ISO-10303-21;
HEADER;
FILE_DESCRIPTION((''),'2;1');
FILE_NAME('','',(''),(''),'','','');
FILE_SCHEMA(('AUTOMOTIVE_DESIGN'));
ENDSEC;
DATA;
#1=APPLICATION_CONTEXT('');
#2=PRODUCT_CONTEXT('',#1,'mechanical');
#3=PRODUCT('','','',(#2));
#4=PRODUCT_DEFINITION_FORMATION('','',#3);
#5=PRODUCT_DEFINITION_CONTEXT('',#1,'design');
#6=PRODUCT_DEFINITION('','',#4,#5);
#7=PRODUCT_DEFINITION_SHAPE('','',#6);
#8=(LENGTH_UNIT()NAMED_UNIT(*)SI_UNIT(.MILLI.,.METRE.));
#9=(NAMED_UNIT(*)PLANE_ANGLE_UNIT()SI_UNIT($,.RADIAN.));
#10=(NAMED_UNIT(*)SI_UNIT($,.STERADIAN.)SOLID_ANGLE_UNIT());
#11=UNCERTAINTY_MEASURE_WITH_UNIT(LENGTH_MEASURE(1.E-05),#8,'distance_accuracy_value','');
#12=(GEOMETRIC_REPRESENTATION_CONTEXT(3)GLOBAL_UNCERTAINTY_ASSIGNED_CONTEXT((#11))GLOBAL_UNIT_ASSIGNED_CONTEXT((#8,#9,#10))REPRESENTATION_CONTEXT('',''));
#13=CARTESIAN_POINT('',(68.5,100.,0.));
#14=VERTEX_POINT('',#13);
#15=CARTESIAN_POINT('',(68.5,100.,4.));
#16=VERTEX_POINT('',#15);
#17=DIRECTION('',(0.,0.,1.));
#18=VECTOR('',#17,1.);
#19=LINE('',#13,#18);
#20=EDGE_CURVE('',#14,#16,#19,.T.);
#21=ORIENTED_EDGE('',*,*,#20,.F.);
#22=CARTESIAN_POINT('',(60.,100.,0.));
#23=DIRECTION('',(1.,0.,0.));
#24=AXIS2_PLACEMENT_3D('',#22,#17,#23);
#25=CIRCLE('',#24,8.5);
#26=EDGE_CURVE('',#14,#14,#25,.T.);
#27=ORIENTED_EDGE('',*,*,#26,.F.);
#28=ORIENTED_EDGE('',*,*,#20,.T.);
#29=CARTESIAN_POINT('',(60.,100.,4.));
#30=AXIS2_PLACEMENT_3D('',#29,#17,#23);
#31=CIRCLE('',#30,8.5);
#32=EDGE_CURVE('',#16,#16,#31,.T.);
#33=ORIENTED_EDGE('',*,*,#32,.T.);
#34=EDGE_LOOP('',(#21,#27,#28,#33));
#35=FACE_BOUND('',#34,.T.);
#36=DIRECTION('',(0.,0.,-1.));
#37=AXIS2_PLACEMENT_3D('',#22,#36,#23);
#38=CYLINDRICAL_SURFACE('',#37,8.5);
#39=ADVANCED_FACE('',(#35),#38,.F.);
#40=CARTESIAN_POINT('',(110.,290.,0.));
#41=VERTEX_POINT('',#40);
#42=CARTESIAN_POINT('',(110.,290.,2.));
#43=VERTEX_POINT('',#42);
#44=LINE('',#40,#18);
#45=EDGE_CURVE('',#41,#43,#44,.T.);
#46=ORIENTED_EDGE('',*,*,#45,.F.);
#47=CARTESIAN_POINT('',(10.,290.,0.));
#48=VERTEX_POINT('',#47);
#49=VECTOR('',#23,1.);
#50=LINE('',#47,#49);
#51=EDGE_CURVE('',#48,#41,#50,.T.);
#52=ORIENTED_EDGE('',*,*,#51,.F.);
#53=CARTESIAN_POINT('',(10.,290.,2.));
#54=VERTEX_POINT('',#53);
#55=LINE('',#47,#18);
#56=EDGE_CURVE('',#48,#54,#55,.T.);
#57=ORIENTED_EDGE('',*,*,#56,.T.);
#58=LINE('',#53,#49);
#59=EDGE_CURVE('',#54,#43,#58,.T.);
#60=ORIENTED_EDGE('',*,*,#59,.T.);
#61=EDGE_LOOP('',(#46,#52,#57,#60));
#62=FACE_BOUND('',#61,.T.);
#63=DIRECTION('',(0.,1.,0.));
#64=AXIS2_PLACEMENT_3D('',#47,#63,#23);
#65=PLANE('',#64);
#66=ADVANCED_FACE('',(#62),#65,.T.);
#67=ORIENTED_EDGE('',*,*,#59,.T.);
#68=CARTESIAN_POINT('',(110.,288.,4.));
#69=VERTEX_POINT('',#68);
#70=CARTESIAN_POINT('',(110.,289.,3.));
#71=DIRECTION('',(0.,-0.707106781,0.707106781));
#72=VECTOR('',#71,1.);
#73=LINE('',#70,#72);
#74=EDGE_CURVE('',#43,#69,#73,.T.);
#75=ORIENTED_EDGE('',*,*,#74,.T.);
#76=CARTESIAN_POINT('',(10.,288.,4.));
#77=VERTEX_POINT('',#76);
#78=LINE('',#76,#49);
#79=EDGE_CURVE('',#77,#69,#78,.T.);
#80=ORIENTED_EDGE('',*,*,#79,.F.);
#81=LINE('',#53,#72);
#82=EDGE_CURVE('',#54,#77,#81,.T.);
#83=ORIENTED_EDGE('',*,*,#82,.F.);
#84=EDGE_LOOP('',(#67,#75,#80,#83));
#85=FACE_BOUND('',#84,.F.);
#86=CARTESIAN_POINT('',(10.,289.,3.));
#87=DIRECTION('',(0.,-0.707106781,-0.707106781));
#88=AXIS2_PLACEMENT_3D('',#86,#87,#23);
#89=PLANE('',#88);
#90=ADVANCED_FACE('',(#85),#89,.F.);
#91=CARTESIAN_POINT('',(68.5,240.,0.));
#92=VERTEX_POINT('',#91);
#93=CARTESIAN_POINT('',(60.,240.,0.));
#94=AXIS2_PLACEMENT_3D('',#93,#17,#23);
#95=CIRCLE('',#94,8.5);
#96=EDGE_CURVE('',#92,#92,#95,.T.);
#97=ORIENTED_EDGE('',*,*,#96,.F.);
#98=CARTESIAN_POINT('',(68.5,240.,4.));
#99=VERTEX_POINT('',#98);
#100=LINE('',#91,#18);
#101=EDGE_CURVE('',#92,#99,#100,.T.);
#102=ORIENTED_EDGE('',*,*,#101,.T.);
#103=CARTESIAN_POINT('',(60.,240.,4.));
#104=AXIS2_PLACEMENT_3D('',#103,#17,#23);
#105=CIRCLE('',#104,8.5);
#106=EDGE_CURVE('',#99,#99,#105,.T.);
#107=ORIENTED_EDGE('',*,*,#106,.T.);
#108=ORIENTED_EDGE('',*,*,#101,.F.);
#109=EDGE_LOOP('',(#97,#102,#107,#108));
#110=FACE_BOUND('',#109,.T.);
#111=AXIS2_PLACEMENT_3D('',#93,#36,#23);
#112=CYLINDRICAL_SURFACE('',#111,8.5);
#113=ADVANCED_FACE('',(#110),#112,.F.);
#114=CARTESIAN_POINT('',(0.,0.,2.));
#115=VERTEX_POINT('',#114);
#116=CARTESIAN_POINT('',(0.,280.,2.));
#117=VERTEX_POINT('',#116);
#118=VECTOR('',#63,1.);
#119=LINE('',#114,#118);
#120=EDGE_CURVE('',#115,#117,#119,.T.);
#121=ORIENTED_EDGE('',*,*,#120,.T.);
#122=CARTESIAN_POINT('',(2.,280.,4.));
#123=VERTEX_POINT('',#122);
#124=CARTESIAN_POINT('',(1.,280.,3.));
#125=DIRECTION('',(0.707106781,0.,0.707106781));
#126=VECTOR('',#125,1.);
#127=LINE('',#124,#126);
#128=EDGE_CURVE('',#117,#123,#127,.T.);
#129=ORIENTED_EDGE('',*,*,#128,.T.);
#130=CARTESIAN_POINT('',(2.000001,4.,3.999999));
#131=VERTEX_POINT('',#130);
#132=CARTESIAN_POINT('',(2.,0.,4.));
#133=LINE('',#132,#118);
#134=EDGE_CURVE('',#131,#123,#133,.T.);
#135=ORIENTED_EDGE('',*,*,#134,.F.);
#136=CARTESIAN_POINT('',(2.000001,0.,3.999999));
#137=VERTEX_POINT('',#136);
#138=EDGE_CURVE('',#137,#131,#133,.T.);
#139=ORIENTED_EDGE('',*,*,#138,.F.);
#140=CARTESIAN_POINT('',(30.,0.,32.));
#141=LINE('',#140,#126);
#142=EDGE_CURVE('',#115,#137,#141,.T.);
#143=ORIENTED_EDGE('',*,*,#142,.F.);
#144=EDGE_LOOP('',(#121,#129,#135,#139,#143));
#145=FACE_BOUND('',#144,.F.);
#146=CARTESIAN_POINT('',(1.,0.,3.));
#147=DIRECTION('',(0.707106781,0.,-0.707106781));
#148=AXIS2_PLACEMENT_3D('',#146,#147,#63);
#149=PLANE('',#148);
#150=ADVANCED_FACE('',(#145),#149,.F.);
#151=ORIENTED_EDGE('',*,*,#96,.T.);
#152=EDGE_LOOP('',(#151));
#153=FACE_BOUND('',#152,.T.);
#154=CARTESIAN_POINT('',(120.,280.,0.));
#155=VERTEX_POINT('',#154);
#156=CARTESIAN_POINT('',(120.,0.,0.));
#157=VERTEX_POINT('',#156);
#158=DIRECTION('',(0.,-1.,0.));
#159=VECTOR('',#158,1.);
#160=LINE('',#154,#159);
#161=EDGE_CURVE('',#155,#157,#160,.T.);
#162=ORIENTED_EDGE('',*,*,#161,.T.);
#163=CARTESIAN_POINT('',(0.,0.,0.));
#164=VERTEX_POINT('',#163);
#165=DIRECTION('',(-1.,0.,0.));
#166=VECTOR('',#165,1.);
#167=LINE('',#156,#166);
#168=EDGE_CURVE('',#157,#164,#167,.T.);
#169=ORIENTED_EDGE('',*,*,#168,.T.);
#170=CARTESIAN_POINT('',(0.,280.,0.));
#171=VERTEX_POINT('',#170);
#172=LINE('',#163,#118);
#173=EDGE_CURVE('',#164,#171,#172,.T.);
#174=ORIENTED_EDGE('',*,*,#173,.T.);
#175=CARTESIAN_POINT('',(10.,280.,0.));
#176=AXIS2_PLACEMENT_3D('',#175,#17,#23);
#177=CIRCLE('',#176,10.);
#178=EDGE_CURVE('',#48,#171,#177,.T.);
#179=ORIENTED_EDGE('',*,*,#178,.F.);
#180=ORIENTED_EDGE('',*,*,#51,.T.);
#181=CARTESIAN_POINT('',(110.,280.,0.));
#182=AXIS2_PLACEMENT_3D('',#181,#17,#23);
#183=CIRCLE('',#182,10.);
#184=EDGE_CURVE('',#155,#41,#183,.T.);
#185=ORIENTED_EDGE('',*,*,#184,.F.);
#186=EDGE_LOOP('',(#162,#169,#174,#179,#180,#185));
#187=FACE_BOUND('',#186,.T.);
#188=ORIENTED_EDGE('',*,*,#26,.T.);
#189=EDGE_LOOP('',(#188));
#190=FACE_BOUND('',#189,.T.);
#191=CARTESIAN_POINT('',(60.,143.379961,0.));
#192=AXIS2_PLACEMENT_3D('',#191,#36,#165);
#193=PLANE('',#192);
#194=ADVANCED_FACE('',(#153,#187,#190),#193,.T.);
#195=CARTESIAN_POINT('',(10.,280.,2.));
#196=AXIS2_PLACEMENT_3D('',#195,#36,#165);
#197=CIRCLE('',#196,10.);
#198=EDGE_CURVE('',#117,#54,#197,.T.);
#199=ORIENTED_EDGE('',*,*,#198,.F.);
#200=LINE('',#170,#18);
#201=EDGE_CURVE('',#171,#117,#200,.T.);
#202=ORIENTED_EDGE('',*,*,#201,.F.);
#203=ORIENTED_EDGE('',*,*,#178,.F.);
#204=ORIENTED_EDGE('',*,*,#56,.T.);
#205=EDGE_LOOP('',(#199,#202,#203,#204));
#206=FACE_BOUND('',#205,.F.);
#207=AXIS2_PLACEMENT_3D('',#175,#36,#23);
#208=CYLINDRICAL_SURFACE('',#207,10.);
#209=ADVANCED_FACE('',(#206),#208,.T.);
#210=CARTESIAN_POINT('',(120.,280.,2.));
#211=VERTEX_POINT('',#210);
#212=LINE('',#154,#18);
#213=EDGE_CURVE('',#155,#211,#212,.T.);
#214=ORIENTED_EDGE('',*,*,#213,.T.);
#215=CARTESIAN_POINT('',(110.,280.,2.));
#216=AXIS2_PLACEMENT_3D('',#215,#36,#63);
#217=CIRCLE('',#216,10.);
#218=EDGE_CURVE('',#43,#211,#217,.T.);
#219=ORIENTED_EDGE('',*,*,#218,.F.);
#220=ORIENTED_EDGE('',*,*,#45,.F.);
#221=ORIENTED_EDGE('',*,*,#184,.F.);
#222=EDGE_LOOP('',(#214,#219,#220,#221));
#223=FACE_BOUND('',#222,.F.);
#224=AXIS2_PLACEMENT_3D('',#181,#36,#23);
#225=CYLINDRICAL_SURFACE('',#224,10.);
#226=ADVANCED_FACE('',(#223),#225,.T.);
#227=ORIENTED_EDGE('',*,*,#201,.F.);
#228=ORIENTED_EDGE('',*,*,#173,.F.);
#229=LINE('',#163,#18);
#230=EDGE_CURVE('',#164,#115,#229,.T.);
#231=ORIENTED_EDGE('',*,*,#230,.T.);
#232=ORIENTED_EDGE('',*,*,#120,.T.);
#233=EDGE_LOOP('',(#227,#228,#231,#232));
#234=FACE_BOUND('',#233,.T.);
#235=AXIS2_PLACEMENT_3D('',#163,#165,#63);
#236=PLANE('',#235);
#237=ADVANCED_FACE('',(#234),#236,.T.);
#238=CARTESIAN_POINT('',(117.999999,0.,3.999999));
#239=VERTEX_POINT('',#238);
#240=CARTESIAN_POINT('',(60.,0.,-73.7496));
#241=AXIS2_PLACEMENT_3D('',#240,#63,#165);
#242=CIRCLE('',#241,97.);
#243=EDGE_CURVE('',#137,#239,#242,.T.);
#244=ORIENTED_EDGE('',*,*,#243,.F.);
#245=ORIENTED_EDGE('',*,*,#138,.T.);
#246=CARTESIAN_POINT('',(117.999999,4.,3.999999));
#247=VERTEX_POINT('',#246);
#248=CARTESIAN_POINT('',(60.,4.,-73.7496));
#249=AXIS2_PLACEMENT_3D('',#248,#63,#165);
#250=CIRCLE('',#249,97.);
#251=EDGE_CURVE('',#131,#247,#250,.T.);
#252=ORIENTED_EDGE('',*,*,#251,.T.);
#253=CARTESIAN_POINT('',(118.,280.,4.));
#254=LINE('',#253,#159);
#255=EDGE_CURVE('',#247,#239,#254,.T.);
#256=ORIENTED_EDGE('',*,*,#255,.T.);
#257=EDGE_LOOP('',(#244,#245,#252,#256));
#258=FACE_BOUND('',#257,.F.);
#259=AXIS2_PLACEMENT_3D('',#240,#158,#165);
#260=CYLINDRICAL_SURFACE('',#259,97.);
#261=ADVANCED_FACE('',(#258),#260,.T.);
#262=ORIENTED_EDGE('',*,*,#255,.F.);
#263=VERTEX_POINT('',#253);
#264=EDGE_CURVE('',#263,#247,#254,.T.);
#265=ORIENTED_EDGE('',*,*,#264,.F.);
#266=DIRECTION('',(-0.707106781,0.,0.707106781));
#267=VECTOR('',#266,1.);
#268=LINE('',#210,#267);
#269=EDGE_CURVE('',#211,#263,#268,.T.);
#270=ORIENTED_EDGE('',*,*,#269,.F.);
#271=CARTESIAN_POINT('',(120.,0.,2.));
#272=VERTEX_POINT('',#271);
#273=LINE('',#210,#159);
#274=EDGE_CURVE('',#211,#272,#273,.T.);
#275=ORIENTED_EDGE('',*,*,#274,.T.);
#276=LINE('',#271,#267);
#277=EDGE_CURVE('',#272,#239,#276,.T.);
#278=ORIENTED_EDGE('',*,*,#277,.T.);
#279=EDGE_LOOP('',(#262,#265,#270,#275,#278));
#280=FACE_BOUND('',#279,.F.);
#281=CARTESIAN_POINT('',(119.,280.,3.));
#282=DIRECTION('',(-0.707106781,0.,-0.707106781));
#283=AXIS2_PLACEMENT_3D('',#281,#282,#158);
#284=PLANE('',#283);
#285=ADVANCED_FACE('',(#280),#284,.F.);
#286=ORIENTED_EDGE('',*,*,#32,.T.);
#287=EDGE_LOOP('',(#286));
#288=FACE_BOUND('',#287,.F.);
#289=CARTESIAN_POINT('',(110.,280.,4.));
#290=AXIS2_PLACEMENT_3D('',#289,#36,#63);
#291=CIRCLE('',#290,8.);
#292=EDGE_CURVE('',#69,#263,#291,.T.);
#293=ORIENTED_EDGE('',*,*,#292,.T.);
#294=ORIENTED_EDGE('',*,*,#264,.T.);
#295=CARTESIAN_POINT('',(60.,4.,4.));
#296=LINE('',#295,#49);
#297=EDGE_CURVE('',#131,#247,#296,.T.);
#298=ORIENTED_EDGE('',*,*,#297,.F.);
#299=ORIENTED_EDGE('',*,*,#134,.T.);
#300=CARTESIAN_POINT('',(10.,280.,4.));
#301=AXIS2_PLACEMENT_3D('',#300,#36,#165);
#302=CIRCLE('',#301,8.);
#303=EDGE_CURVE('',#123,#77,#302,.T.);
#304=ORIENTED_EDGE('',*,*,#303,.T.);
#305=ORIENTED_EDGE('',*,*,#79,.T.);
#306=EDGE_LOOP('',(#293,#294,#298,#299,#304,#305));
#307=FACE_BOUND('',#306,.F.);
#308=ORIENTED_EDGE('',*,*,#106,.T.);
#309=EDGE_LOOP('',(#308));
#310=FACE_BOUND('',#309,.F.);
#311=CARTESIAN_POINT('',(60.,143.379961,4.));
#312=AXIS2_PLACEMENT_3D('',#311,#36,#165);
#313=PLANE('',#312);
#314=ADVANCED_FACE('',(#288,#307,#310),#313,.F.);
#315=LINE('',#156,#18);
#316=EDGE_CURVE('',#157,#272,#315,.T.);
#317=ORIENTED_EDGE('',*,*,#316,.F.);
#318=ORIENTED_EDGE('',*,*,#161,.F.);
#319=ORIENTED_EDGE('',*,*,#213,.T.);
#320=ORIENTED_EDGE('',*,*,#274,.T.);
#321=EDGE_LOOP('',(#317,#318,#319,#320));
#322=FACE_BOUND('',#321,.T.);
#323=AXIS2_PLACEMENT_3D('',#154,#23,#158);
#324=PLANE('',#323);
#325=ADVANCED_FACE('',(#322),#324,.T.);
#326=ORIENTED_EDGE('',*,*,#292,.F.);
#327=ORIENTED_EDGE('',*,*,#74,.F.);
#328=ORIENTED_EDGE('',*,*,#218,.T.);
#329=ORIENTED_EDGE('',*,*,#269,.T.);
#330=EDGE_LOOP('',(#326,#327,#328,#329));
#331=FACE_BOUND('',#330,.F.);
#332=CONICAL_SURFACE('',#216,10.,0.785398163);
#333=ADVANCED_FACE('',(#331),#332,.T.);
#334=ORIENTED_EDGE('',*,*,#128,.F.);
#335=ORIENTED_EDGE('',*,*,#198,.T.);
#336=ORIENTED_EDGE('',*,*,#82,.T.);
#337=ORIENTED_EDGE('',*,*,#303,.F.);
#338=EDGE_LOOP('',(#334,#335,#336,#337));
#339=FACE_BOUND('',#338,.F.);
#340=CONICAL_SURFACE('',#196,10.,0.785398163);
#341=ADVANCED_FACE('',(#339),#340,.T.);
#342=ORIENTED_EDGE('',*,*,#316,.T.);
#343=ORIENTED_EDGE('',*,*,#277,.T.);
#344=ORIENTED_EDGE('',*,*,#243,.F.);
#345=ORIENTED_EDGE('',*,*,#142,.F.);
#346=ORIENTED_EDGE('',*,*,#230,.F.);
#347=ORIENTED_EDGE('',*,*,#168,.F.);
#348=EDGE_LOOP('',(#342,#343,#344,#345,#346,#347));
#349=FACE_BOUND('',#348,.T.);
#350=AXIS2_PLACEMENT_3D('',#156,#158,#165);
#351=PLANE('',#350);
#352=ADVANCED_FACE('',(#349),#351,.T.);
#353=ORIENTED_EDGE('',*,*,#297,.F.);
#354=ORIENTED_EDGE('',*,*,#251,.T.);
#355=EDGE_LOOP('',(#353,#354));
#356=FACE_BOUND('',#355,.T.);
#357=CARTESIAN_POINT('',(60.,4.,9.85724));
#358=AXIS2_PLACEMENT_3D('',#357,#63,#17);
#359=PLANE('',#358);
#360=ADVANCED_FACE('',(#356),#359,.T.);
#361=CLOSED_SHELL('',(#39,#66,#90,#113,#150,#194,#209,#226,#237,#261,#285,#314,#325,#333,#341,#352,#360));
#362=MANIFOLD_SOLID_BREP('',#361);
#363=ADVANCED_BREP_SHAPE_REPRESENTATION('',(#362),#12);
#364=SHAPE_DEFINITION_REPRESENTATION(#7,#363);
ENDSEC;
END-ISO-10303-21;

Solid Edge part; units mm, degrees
sketch "Sketch1" plane through (0, 0, 0) normal (0, 0, 1) x (1, 0, 0)
  circle A0 centre (60, 240) radius 8.5
  line L0 (120, 280) -> (120, 0)
  line L1 (120, 0) -> (0, 0)
  line L2 (0, 0) -> (0, 280)
  arc A1 (10, 290) -> (0, 280) centre (10, 280) ccw
  line L3 (10, 290) -> (110, 290)
  arc A2 (120, 280) -> (110, 290) centre (110, 280) ccw
  circle A3 centre (60, 100) radius 8.5
  dimension "D1" = 100
  dimension "D2" = 280
  dimension "D3" = 50
  dimension "D4" = 190
  dimension "D5" = 60
  dimension "D6" = 17
  dimension "D7" = 17
  dimension "D8" = 10
extrude "Protrusion1" add sketch "Sketch1" along normal blind 4
chamfer "Chaflán_1" distance 2 angle 45 5 edges at (0, 140, 4) (2.9289, 287.0711, 4) (60, 290, 4) (117.0711, 287.0711, 4) (120, 140, 4)
sketch "Sketch2" plane through (0, 0, 0) normal (0, 1, 0) x (-1, 0, 0)
  line L0 (-118, 4) -> (-2, 4)
  arc A0 (-2, 4) -> (-118, 4) centre (-60, -73.7496) ccw
extrude "ProtrusiónExtruida_4" add sketch "Sketch2" along normal blind 4
